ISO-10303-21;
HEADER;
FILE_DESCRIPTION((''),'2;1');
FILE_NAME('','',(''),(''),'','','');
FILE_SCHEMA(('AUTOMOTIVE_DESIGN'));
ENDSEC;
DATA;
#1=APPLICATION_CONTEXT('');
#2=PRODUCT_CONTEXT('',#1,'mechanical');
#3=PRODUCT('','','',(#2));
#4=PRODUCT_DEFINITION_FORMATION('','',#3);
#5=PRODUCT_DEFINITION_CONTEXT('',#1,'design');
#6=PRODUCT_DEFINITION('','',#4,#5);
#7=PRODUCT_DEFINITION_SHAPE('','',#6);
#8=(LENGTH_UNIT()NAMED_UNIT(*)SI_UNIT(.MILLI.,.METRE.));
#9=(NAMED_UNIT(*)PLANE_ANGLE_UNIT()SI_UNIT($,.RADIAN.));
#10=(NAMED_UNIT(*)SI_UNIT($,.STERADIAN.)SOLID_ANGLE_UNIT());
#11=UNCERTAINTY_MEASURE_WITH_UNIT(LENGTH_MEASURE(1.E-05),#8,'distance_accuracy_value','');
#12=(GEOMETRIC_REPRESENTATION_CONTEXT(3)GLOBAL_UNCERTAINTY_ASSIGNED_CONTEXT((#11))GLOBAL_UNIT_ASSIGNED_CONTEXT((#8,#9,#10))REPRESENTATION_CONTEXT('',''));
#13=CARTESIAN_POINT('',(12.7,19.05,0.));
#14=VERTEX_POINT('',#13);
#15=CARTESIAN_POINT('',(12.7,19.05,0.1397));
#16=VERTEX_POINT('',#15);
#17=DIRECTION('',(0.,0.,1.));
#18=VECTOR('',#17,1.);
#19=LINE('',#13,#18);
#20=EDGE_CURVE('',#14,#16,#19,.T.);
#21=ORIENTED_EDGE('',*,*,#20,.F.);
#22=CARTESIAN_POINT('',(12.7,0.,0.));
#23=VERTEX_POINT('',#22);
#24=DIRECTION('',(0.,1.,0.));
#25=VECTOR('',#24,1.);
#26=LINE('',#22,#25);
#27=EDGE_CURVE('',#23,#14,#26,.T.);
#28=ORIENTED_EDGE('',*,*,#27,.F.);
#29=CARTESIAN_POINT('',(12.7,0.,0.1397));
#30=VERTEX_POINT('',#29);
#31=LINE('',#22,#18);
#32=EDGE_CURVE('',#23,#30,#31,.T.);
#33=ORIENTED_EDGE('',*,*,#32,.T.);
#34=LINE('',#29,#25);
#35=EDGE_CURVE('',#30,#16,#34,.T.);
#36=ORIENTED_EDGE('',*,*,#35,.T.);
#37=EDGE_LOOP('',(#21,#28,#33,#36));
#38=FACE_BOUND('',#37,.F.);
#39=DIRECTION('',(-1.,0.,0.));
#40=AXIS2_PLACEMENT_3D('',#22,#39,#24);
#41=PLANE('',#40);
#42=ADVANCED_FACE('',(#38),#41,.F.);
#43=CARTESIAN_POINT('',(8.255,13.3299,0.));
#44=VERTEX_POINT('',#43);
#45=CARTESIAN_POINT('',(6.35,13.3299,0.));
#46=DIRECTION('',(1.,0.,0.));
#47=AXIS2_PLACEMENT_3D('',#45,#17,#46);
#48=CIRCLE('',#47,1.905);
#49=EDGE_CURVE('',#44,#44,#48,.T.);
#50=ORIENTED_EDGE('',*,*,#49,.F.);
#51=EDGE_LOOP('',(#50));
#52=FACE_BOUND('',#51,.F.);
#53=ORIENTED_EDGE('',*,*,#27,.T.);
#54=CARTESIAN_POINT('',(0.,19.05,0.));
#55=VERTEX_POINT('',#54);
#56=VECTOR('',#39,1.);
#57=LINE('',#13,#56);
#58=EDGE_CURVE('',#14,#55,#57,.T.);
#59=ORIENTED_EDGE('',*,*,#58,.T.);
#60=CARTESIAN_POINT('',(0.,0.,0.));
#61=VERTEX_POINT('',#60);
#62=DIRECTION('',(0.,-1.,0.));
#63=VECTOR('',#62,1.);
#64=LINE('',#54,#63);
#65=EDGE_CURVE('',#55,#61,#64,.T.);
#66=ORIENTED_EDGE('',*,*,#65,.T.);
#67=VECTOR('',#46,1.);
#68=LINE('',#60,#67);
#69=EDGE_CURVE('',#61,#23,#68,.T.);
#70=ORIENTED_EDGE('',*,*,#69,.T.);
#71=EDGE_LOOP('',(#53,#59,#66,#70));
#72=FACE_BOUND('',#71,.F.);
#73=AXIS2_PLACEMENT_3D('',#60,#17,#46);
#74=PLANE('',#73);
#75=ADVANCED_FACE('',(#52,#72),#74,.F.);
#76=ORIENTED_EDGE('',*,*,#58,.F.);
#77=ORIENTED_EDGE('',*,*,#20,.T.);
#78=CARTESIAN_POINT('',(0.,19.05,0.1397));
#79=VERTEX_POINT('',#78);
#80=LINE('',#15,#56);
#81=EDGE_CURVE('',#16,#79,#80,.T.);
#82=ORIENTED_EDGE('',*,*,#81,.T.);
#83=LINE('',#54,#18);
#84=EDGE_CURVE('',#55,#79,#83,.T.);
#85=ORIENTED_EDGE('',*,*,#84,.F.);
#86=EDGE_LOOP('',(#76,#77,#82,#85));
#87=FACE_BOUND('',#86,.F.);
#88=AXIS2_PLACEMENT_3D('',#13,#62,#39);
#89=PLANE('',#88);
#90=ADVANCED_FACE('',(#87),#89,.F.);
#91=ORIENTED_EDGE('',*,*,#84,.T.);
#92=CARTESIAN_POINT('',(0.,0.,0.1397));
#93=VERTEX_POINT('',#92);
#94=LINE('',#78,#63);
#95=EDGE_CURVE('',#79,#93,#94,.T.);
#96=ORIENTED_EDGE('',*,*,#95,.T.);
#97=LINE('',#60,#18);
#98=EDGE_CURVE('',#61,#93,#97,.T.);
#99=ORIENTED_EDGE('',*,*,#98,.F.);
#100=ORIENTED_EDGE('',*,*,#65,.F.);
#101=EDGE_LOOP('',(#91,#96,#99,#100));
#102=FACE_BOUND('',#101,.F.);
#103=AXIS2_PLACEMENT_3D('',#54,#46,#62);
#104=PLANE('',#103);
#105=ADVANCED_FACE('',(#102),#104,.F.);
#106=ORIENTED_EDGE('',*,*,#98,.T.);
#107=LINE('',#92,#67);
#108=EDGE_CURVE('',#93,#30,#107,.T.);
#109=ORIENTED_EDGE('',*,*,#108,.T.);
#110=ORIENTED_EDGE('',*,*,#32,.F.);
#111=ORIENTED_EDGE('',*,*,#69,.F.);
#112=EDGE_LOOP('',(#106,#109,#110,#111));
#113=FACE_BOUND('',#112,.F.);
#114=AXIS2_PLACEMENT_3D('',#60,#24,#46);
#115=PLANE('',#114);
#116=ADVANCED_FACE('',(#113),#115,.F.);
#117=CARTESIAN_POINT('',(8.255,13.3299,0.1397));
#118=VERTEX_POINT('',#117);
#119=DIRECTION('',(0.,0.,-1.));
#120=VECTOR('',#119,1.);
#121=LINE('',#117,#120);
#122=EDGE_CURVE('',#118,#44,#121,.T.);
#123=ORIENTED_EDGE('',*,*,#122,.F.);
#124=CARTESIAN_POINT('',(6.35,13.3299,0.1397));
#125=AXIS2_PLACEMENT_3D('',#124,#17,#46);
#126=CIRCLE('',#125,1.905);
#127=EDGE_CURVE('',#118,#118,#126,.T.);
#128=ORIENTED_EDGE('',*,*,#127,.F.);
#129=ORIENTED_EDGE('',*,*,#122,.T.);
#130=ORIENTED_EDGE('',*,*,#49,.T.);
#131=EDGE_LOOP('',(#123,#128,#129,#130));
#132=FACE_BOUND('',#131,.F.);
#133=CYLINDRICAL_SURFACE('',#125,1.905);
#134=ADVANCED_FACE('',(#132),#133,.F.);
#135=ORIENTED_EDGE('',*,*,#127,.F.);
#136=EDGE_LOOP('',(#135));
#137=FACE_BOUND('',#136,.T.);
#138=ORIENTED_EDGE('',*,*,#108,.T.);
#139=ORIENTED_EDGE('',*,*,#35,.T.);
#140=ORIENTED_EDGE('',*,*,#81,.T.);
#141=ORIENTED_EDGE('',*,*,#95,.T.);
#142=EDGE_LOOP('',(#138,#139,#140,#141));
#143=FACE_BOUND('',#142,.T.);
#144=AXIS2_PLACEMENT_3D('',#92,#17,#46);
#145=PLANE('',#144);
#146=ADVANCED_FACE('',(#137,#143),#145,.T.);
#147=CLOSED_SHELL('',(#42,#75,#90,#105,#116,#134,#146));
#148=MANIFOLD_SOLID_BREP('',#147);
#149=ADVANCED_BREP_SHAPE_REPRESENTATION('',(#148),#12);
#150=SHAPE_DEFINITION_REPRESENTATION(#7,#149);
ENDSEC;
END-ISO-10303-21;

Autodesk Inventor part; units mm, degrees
ref_plane "YZ Plane" through (0, 0, 0) normal (1, 0, 0) x (0, 1, 0)
ref_plane "XZ Plane" through (0, 0, 0) normal (0, 1, 0) x (-1, 0, 0)
ref_plane "XY Plane" through (0, 0, 0) normal (0, 0, 1) x (1, 0, 0)
sketch "Sketch1" plane through (0, 0, 0) normal (0, 0, 1) x (1, 0, 0)
  line L0 (0, 0) -> (12.7, 0)
  line L1 (12.7, 0) -> (12.7, 19.05)
  line L2 (12.7, 19.05) -> (0, 19.05)
  line L3 (0, 19.05) -> (0, 0)
  dimension "d0" = 19.05
  dimension "d1" = 12.7
extrude "Extrusion1" add sketch "Sketch1" along normal blind 0.1397
sketch "Sketch2" plane through (0, 0, 0.1397) normal (0, 0, 1) x (1, 0, 0)
  circle A0 centre (6.35, 13.3299) radius 1.905
  line L0 (12.7, 0) -> (12.7, 19.05) projected
  line L1 (12.7, 19.05) -> (0, 19.05) projected
  point P0 (0, 0)
  dimension "d4" = 6.35
  dimension "d5" = 5.7201
  dimension "d6" = 3.81
extrude "Extrusion2" cut sketch "Sketch2" against normal blind 0.1397
properties part number "TO220 Thermal Film"
